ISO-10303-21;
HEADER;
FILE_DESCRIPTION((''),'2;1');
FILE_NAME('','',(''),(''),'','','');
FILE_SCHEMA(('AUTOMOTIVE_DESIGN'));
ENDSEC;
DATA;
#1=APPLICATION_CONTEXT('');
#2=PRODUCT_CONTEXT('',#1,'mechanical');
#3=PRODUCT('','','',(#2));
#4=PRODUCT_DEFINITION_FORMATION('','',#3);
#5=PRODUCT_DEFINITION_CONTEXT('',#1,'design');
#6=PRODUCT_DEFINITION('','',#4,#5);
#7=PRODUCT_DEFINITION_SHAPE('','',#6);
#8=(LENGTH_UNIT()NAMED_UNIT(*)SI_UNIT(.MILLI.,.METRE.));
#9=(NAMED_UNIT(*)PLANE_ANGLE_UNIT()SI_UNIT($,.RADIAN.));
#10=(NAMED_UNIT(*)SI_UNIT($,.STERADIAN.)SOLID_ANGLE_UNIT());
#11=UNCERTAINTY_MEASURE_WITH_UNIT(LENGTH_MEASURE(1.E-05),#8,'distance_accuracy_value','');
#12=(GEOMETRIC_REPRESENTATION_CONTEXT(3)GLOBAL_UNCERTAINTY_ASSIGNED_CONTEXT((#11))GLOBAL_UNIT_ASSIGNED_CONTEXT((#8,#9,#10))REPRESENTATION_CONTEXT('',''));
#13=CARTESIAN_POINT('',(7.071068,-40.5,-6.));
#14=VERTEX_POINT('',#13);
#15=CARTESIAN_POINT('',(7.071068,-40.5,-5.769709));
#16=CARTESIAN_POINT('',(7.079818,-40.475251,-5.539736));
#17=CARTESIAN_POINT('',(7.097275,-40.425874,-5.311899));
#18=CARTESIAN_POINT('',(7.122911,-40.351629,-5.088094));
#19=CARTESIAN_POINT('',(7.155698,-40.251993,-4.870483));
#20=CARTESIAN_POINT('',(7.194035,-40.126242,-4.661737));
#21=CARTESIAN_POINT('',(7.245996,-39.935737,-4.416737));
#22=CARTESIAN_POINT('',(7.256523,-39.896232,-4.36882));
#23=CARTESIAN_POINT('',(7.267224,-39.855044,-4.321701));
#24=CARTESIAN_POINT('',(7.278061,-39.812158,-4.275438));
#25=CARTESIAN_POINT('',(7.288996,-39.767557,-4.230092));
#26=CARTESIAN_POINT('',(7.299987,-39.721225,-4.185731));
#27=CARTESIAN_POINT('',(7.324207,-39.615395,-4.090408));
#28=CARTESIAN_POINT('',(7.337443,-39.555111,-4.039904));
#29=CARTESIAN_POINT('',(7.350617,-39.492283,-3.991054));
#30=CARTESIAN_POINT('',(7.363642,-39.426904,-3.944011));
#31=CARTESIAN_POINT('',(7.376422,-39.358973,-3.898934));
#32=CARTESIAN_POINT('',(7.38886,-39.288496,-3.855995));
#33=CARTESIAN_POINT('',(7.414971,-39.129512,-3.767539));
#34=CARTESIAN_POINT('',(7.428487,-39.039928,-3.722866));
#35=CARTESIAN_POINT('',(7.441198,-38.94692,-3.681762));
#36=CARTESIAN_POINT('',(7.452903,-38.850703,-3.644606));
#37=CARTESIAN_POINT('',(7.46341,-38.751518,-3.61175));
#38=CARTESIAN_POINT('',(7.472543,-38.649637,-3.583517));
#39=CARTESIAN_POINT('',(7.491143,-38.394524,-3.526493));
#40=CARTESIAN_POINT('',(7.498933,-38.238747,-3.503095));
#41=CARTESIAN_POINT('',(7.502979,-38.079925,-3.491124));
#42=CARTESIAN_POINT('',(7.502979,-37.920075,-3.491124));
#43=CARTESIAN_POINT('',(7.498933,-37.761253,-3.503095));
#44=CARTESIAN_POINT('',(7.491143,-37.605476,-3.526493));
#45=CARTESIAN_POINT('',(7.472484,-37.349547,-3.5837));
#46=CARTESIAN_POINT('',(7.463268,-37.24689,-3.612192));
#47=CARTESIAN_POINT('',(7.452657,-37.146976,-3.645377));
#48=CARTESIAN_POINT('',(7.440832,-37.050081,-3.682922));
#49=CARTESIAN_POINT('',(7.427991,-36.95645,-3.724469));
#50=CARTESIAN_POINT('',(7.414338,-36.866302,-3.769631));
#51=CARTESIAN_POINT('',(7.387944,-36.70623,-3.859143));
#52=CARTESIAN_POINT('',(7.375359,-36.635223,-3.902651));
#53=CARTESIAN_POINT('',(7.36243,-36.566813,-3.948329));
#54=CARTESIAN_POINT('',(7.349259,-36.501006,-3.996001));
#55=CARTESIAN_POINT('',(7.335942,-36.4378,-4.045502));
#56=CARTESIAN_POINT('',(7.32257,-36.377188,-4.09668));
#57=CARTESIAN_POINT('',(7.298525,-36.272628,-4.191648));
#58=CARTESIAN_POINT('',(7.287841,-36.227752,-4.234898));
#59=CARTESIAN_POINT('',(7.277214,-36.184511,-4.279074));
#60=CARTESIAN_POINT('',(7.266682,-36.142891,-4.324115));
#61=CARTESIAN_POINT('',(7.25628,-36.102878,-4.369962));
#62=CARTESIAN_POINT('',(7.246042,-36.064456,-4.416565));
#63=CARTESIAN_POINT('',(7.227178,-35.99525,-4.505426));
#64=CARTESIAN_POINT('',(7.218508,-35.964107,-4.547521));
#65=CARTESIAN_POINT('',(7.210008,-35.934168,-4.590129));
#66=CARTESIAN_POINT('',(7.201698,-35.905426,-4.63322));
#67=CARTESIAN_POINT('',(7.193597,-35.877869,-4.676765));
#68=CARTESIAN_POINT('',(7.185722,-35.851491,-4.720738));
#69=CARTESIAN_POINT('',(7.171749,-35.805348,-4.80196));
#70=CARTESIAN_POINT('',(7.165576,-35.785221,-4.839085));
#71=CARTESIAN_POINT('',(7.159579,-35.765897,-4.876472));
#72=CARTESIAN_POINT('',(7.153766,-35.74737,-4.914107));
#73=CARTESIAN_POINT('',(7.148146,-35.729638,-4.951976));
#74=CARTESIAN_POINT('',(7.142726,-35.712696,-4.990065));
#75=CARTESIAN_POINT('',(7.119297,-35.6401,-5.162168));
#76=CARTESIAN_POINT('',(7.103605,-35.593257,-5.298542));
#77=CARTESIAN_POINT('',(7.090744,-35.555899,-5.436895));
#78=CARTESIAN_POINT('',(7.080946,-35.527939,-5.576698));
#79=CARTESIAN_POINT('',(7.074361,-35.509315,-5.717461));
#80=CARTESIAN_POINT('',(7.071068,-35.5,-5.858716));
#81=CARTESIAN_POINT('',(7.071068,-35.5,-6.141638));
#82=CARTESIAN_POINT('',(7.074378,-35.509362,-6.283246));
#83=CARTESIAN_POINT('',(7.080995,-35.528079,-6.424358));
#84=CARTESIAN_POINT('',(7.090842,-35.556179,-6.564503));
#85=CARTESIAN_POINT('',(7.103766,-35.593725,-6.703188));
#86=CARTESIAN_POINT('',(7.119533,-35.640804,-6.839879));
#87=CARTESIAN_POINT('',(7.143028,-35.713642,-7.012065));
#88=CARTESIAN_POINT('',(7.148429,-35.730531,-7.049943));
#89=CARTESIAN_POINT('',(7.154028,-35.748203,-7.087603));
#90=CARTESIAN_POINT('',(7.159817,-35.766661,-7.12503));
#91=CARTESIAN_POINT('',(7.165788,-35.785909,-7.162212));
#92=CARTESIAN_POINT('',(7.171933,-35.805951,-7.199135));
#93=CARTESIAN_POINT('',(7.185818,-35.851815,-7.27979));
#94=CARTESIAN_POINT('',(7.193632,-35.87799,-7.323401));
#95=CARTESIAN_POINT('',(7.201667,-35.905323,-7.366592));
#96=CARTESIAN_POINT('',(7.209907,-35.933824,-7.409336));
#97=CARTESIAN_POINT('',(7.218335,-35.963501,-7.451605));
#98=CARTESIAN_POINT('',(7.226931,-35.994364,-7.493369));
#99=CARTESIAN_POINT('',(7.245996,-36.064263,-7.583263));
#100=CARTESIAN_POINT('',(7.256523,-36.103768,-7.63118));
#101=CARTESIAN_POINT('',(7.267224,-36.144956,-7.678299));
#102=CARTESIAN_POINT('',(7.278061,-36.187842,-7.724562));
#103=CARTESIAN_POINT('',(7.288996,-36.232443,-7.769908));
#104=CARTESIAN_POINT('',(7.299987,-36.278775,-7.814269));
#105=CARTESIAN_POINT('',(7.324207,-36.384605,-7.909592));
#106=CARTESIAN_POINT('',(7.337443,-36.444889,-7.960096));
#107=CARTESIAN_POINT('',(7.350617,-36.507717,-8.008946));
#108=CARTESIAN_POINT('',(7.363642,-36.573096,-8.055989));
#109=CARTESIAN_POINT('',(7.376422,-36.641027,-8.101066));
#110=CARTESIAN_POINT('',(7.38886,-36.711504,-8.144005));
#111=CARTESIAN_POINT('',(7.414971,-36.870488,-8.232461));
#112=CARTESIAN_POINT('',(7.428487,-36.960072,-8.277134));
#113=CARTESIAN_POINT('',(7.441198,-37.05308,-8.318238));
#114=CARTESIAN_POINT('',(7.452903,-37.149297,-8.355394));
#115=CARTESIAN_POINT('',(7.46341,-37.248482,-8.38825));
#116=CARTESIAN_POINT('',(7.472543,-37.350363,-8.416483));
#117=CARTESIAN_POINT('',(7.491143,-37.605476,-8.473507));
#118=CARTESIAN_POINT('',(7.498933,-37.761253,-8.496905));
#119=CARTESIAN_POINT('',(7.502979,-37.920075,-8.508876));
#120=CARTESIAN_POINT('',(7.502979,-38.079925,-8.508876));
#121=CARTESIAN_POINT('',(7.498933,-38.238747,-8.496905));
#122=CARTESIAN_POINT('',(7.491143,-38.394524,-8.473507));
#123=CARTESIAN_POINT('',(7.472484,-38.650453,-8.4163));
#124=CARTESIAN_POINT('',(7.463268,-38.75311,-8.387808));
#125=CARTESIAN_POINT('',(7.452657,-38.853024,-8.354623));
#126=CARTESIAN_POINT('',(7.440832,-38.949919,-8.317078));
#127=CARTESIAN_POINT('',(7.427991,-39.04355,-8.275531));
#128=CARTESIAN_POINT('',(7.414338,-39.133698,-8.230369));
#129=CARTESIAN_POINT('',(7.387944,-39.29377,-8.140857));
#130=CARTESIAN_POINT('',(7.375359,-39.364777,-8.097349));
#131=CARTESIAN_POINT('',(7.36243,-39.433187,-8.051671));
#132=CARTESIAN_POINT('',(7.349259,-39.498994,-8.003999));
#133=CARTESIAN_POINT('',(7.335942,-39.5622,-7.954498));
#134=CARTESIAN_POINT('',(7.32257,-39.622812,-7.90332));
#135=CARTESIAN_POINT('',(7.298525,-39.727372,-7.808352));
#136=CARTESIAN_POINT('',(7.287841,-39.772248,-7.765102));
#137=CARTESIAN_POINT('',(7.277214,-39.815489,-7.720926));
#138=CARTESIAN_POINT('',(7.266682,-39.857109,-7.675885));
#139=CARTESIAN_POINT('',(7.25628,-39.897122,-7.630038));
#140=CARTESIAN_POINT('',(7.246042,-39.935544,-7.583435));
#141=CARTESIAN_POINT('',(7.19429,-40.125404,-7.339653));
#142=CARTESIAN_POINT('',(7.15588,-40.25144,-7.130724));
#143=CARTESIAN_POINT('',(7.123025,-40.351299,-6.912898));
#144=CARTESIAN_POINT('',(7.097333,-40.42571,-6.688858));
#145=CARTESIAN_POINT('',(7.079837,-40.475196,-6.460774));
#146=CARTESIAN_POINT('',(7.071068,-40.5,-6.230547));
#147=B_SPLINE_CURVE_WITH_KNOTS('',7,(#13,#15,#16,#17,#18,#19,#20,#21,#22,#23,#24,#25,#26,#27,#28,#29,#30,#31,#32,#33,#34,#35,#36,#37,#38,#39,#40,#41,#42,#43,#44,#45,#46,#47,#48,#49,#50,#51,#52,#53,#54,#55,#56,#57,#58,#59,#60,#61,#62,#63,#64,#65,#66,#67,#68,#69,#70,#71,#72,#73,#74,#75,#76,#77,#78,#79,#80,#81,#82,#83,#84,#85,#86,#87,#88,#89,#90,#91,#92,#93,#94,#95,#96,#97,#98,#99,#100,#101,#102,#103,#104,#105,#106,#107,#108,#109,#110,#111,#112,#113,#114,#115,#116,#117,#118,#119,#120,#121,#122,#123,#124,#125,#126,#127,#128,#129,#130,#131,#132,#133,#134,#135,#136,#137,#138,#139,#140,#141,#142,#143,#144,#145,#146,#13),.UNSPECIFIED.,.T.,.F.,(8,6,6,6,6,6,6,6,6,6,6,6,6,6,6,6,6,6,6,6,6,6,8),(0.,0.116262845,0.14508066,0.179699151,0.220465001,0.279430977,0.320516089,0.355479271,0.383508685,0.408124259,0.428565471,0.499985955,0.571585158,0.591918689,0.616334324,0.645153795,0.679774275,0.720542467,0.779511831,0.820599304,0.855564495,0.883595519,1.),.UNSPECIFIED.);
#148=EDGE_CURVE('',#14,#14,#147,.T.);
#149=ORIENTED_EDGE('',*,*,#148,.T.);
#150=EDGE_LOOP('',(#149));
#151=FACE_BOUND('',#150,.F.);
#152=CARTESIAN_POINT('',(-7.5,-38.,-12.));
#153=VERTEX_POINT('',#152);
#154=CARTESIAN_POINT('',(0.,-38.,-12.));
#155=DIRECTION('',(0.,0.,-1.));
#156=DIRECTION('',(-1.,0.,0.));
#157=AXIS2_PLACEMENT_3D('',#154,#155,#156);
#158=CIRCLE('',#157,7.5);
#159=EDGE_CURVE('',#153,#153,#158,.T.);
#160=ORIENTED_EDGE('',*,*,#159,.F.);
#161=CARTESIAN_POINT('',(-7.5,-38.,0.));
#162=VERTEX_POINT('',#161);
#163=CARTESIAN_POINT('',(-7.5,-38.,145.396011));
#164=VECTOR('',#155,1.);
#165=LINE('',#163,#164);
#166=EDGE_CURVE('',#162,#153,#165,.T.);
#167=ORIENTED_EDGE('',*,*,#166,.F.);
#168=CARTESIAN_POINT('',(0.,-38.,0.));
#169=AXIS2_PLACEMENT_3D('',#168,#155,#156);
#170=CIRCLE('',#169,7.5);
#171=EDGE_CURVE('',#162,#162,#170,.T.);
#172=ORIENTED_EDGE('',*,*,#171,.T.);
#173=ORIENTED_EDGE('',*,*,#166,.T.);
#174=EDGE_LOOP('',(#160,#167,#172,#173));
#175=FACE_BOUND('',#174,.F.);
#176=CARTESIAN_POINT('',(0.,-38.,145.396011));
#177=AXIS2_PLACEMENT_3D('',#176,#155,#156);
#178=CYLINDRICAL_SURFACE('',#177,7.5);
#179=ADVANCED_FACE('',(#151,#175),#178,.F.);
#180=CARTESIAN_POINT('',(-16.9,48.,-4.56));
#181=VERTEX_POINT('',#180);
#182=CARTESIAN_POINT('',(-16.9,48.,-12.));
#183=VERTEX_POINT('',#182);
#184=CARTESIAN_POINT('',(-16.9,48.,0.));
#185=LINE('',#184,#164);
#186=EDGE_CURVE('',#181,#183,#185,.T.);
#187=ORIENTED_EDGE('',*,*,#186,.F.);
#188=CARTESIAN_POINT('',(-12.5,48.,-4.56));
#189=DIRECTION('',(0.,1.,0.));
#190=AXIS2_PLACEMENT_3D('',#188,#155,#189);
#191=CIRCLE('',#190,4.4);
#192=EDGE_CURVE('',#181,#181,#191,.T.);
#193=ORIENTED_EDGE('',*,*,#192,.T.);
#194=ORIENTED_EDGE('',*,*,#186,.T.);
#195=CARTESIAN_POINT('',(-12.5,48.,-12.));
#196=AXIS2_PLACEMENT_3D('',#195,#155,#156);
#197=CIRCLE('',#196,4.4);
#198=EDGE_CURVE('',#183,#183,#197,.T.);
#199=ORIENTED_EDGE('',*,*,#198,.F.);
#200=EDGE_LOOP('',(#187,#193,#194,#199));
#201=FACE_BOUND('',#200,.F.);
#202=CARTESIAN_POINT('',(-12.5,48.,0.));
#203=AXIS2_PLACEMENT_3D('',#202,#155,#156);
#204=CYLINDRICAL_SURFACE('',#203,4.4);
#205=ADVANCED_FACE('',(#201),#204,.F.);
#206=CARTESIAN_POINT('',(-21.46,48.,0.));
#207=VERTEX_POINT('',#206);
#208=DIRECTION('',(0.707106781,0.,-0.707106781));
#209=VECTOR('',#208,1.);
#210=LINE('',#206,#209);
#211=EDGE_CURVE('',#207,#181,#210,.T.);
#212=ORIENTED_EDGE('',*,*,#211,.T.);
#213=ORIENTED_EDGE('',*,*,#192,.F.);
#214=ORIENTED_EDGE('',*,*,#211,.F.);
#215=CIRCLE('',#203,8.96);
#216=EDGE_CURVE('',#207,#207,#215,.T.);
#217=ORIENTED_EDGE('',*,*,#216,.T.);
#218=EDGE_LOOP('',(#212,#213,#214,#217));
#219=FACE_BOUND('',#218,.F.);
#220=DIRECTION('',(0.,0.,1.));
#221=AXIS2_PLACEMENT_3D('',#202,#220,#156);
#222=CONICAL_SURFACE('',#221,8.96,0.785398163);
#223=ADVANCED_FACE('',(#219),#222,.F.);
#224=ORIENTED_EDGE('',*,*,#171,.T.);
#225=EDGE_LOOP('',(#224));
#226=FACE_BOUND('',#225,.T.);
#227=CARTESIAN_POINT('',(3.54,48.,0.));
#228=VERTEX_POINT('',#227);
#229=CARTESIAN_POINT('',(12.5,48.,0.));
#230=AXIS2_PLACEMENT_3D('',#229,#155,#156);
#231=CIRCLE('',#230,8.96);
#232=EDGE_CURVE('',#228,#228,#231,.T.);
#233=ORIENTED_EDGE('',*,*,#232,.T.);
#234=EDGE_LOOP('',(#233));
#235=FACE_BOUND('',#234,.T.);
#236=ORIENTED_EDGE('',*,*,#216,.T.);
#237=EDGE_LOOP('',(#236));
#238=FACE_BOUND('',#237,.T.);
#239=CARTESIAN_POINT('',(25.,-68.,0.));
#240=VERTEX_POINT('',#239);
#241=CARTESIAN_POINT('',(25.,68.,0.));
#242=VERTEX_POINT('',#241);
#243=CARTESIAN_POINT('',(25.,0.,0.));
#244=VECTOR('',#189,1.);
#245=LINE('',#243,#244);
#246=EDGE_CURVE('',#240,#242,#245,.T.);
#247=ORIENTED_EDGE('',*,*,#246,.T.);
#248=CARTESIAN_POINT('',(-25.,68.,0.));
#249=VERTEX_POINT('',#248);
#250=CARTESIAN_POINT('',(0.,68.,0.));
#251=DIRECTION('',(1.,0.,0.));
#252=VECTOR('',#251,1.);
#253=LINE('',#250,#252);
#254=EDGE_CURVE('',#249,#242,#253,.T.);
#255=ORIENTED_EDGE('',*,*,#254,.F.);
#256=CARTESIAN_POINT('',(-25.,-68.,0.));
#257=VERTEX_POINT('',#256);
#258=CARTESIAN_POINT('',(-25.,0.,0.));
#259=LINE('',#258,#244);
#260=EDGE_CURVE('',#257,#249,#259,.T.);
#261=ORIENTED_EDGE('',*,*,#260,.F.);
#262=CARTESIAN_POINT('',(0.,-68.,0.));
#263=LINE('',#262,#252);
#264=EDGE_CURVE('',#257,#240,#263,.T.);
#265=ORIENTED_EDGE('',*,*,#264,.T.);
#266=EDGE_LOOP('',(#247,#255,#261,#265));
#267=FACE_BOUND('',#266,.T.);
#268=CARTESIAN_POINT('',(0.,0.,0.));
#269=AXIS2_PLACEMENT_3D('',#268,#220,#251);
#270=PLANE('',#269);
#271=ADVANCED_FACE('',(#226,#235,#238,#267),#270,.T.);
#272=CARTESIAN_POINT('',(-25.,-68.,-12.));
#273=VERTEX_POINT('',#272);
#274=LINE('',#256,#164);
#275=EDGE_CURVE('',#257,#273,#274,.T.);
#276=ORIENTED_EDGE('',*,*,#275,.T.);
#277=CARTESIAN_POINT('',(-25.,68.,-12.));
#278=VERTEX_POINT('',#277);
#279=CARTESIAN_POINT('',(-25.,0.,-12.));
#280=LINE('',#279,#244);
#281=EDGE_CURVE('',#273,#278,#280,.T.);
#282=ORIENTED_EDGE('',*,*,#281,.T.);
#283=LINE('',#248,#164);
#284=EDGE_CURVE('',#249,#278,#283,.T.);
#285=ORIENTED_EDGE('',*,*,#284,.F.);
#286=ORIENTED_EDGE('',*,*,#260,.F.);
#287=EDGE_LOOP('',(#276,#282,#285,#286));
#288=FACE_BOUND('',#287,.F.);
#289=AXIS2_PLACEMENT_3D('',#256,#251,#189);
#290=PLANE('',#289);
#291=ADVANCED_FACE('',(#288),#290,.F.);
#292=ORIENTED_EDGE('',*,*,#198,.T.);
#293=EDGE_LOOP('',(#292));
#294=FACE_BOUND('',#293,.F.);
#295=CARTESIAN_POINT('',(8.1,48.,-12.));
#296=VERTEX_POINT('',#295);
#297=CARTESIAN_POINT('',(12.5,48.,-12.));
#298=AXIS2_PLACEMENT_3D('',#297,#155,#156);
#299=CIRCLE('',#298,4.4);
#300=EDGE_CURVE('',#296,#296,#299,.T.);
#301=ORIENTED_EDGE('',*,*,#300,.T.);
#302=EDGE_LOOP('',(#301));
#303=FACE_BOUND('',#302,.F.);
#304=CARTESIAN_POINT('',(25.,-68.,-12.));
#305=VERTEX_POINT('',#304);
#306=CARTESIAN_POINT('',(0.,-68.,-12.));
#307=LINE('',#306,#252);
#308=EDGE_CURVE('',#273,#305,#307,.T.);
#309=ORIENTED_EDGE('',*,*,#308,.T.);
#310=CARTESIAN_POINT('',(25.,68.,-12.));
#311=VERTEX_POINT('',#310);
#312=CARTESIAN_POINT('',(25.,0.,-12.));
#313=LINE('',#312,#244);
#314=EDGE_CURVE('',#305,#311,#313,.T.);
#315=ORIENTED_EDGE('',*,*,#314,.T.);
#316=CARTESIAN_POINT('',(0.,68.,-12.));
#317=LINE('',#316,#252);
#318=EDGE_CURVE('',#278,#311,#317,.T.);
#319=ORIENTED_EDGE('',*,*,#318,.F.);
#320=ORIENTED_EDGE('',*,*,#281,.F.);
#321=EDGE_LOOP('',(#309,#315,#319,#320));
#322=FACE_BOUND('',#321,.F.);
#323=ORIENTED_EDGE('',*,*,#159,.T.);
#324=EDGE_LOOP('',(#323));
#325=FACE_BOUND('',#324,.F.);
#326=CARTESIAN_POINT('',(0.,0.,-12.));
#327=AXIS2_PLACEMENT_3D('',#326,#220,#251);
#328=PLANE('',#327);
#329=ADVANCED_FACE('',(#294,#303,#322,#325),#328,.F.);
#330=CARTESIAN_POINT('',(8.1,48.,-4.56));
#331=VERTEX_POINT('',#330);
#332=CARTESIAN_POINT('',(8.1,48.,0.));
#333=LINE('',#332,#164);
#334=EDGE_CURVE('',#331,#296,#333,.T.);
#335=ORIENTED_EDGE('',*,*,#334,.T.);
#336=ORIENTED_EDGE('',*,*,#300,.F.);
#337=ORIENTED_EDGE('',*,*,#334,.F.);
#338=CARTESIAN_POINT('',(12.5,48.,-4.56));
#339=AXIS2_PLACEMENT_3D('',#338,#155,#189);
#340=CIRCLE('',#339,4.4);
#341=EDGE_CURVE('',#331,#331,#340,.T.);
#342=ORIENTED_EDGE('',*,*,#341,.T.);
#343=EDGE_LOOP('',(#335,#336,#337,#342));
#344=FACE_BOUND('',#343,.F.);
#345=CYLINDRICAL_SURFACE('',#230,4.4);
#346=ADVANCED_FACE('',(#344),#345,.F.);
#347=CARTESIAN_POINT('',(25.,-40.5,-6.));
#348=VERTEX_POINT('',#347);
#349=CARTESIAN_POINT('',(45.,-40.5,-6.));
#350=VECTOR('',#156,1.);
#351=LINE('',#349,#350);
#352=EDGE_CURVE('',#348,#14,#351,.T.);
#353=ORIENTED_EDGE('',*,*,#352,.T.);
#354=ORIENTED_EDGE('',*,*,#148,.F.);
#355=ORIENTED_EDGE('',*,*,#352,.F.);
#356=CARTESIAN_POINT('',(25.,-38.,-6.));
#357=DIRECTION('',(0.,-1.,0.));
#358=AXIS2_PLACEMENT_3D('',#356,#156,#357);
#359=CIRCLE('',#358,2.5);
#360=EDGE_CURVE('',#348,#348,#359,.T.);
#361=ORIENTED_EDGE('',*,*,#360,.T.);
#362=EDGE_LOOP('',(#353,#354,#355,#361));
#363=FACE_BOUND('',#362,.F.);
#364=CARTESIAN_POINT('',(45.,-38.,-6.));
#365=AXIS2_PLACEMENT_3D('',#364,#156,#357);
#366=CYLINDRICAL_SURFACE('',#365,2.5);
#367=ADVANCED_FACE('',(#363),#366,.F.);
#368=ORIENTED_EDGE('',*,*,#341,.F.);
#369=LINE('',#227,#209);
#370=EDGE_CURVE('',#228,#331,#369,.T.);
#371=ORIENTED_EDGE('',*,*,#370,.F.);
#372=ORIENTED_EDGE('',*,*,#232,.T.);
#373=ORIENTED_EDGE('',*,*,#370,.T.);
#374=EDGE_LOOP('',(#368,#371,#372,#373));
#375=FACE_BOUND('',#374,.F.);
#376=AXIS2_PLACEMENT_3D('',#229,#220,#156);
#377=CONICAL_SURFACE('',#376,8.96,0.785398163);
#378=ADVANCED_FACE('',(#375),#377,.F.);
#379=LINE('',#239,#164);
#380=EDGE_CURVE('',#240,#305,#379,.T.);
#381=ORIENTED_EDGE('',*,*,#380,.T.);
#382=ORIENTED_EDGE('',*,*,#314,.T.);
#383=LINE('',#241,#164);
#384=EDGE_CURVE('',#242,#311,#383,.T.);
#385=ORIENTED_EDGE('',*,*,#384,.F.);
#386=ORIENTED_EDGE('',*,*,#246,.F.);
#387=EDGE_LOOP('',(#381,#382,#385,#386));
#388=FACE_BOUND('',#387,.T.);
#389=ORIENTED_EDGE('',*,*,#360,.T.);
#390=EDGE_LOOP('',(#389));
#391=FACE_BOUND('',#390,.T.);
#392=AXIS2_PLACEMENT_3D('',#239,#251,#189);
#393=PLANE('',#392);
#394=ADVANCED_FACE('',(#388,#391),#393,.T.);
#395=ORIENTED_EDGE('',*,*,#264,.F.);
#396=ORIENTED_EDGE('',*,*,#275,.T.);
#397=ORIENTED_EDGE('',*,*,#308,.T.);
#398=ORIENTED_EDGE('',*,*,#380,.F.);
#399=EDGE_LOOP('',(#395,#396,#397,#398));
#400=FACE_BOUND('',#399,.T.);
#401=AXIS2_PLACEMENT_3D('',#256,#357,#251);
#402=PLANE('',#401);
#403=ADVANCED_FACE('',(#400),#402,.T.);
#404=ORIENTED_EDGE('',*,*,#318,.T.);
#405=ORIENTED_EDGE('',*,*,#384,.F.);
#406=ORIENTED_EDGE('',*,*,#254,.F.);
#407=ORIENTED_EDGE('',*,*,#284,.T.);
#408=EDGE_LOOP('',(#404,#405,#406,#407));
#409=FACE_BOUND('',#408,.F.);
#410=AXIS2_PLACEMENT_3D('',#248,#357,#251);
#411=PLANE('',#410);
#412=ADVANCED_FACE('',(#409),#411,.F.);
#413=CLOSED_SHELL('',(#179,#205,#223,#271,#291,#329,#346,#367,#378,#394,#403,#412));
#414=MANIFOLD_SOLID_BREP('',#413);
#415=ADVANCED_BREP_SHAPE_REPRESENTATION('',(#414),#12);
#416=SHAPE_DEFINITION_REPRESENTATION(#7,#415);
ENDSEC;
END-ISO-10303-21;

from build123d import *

# Parameters (mm, degrees)
F0_W           = 50
F0_H           = 136
F1_DEPTH       = 12
F3_D           = 15
F5_D           = 8.8
F5_CSINK_D     = 17.92
F5_CSINK_ANGLE = 90
F7_D           = 5
F7_DEPTH       = 20
F7_TIP         = 1.5021515476


with BuildPart() as f1:
    # F0 (on Top) → F1 (new body)
    with BuildSketch(Plane.XY):
        Rectangle(F0_W, F0_H)
    extrude(amount=-F1_DEPTH)

    # F3 (through all)
    with Locations(Plane.XY):
        with Locations((0, -38)):
            Hole(F3_D / 2)

    # F5 (through all)
    with Locations(Plane.XY):
        with Locations((12.5, 48), (-12.5, 48)):
            CounterSinkHole(F5_D / 2, F5_CSINK_D / 2, counter_sink_angle=F5_CSINK_ANGLE)

    # F7
    with Locations(Plane.YZ.offset(25)):
        with Locations((-38, -6)):
            Hole(F7_D / 2, depth=F7_DEPTH)
            with Locations((0, 0, -(F7_DEPTH + F7_TIP / 2))):  # 118° drill point
                Cone(0, F7_D / 2, F7_TIP, mode=Mode.SUBTRACT)


solid = f1.part
